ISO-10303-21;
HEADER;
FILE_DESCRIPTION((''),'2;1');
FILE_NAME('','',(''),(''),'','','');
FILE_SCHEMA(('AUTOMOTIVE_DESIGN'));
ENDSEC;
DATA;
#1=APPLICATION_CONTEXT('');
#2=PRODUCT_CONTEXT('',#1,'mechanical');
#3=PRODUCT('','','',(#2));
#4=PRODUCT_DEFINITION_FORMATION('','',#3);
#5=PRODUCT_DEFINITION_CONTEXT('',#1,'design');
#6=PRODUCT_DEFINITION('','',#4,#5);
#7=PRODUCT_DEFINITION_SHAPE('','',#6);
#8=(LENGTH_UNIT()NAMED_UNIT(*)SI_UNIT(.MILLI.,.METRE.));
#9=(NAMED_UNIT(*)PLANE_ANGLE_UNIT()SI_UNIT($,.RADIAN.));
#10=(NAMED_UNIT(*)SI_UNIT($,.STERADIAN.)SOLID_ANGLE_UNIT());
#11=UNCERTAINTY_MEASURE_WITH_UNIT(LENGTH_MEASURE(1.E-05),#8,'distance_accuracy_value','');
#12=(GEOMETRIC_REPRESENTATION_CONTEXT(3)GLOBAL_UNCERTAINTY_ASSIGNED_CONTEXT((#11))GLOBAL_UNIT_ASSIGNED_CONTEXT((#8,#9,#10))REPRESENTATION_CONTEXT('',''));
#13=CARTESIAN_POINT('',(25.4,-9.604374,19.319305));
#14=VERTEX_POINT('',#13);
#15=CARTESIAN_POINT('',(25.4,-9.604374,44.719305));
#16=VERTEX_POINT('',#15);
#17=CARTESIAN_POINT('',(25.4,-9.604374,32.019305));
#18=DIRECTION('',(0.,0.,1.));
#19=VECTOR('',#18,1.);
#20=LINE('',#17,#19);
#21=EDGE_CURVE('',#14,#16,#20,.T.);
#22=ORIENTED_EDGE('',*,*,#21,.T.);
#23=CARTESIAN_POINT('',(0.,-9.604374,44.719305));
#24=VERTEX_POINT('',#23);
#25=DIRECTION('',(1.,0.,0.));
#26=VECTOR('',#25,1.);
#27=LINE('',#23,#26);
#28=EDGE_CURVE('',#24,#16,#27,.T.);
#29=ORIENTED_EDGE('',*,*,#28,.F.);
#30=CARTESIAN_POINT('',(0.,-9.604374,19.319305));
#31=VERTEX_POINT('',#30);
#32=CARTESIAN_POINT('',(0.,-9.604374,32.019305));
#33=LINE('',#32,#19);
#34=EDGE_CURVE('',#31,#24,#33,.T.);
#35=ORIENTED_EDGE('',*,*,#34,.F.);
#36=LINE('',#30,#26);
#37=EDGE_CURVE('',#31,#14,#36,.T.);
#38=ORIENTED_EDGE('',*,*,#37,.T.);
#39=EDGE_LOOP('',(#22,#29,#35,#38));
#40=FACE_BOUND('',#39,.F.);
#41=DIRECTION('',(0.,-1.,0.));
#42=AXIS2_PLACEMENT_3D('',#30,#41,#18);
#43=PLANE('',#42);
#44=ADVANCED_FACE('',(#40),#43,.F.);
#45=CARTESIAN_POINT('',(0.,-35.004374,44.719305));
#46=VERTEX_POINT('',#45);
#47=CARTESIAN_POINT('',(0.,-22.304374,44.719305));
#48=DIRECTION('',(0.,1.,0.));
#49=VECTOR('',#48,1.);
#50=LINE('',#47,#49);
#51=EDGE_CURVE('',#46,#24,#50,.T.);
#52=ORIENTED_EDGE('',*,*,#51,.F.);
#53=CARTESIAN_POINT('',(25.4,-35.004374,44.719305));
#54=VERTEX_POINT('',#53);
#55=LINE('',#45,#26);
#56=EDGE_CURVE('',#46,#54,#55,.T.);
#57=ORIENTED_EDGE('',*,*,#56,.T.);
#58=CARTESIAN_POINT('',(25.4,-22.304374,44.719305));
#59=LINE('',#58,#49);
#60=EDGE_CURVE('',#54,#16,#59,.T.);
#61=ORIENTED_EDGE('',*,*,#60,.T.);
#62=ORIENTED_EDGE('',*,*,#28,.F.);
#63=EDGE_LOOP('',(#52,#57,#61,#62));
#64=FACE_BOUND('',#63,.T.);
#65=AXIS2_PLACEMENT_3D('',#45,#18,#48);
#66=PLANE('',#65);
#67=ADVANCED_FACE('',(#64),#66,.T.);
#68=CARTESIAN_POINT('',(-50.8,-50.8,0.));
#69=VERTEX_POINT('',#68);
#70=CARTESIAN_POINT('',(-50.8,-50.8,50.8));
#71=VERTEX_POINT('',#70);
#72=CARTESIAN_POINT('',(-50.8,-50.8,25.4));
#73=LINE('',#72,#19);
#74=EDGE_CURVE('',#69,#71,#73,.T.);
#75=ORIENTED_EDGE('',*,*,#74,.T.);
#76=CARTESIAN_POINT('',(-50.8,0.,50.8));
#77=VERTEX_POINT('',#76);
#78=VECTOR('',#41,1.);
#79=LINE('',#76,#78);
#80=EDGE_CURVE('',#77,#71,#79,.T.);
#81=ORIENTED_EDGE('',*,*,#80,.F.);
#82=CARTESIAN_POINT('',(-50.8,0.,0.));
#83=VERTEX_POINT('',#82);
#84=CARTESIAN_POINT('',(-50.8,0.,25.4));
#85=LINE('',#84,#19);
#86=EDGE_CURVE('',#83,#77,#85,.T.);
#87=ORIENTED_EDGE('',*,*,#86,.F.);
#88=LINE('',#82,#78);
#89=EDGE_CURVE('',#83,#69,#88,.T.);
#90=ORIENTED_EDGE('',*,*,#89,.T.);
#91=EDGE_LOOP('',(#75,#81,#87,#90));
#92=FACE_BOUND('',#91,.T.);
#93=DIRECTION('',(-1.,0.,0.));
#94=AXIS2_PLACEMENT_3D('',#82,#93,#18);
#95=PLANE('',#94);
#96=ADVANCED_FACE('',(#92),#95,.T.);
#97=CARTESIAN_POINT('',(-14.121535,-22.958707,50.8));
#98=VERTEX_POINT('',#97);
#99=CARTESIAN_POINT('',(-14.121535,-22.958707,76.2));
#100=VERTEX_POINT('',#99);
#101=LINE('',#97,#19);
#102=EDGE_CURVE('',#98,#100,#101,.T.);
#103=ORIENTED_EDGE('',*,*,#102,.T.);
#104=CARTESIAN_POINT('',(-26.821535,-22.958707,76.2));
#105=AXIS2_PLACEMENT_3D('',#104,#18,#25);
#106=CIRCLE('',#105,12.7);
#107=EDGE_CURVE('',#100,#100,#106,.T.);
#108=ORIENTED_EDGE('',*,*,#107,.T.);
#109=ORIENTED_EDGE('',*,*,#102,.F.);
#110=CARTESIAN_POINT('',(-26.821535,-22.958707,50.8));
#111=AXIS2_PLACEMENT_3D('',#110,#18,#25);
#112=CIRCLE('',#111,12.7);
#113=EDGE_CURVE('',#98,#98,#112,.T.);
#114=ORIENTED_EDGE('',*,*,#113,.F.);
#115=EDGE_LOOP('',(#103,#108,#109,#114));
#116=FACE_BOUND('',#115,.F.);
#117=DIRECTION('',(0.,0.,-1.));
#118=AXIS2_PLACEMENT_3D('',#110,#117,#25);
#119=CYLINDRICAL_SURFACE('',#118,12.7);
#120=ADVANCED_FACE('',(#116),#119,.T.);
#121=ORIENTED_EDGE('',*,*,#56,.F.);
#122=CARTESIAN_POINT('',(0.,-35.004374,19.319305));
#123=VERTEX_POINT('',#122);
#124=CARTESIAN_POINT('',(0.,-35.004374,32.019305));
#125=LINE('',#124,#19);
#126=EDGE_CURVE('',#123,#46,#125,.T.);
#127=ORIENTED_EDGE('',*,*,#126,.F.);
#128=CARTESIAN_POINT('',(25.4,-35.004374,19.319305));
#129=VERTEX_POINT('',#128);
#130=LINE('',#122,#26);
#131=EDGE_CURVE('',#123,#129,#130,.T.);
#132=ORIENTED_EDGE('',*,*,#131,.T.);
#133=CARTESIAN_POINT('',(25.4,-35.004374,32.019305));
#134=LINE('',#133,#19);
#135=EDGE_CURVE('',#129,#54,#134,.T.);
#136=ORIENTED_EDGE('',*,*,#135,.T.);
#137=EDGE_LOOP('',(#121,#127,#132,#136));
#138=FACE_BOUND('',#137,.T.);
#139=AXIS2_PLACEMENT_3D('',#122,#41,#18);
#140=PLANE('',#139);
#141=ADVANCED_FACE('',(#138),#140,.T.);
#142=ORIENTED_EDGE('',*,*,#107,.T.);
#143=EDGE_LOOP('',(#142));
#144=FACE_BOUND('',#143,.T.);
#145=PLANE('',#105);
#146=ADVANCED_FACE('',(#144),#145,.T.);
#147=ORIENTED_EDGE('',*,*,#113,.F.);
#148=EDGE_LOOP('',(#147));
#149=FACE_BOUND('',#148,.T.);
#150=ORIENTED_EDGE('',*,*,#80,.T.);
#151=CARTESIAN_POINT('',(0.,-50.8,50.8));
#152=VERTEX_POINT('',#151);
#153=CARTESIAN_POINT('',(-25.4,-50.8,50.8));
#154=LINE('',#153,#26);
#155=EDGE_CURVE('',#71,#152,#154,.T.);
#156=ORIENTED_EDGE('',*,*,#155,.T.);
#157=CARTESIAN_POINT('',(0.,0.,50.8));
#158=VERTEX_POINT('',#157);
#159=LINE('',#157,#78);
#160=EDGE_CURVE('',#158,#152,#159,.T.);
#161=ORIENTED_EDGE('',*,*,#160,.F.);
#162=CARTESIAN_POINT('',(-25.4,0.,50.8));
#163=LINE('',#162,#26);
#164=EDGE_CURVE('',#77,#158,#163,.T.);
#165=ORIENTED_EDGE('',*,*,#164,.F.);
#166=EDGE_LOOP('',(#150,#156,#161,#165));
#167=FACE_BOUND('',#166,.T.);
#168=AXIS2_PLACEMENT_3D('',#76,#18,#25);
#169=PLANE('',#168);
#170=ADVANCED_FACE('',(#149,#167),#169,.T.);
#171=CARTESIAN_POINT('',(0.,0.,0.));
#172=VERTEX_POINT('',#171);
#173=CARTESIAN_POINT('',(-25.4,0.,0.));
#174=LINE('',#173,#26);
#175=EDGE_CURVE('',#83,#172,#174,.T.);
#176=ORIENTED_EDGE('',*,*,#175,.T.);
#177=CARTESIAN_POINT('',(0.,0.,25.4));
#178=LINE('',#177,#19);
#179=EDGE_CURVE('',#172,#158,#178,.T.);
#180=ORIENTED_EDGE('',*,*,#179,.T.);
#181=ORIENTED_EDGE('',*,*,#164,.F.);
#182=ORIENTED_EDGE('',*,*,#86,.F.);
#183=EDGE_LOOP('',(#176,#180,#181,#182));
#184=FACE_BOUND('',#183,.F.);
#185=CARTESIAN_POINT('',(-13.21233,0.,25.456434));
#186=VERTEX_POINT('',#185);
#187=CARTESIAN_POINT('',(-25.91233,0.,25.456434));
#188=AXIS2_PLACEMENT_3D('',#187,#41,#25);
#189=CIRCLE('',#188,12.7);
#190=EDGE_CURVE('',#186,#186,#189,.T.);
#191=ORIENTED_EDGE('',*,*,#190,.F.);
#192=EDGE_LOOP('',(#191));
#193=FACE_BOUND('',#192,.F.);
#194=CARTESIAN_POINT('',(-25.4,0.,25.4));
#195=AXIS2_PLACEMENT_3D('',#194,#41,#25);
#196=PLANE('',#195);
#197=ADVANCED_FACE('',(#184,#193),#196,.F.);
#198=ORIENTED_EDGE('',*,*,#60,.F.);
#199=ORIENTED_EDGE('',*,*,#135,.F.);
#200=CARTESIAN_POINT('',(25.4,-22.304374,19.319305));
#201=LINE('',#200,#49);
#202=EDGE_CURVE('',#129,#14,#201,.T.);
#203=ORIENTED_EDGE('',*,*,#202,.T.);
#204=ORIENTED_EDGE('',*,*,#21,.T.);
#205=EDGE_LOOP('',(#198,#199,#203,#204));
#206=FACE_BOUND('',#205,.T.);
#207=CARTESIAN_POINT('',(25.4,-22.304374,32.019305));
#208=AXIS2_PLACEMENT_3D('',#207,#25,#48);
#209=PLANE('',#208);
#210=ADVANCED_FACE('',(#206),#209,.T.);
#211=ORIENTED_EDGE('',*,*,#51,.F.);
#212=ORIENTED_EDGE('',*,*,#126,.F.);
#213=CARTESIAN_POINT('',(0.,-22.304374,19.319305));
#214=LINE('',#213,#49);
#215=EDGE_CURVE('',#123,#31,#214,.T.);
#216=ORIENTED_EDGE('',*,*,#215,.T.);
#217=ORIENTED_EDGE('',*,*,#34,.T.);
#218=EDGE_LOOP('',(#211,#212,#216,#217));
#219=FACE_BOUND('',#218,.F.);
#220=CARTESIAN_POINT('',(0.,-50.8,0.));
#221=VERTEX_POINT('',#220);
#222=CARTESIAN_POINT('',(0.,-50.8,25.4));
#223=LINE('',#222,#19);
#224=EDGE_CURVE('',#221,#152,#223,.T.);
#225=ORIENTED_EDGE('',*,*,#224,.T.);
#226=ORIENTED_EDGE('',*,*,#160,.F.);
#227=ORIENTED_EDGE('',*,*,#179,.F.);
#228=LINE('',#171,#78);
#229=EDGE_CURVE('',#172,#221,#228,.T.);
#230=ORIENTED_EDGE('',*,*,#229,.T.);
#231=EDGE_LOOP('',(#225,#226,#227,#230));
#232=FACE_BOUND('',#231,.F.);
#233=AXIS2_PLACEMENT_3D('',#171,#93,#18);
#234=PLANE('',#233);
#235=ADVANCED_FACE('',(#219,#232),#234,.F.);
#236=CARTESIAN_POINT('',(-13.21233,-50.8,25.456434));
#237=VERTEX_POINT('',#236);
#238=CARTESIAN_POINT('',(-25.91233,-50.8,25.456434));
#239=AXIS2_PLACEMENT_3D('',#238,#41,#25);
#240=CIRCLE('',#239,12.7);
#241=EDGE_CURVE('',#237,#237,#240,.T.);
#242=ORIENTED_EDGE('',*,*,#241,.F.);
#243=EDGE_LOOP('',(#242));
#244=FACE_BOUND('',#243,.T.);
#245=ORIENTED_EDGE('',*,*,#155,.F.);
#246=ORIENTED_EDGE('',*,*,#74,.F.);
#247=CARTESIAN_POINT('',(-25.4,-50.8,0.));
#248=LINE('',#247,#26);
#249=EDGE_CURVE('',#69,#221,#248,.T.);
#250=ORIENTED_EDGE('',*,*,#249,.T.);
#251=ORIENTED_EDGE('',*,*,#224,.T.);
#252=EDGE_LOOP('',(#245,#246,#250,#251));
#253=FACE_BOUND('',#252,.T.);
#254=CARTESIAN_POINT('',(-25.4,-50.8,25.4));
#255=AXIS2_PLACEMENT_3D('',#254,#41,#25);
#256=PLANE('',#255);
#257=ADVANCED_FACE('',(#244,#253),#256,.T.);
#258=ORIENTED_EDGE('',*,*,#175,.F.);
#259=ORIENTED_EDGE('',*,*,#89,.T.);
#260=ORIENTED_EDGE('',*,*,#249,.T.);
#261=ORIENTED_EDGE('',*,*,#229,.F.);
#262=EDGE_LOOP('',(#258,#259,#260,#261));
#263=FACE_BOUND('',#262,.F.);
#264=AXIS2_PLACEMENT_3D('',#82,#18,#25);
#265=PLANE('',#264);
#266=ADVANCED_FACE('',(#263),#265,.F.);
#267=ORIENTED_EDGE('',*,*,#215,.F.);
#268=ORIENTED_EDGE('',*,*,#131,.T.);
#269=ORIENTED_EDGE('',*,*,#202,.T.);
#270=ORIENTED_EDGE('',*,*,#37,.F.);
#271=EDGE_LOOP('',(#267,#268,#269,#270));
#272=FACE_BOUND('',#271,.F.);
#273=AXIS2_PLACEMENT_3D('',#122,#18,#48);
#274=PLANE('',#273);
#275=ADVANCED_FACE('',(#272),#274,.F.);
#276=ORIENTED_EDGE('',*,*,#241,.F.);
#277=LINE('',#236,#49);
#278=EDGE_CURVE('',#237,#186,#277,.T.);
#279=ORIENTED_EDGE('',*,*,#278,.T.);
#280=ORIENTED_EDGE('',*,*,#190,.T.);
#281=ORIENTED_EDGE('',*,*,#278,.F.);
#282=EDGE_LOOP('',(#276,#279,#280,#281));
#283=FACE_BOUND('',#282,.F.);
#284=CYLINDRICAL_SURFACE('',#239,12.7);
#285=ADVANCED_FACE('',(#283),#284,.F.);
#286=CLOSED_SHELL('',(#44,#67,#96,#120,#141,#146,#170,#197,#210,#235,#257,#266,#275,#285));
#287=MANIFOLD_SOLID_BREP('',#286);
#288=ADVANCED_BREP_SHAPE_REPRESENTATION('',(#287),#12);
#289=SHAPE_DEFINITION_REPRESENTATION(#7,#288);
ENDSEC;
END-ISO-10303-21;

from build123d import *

# Parameters (mm, degrees)
F0_W     = 50.8
F0_H     = 50.8
F1_DEPTH = 50.8
F2_R     = 12.7
F3_DEPTH = 50.8
F4_W     = 25.4
F4_H     = 25.4
F5_DEPTH = 25.4
F6_R     = 12.7
F7_DEPTH = 25.4


with BuildPart() as f1:
    # F0 (on Front) → F1 (new body)
    with BuildSketch(Plane.XZ):
        with Locations((-25.4, 25.4)):
            Rectangle(F0_W, F0_H)
    extrude(amount=F1_DEPTH)

    # F2 (on face) → F3 (cut)
    with BuildSketch(Plane.XZ.offset(50.8)):
        with Locations((-25.91233, 25.456434)):
            Circle(F2_R)
    extrude(amount=-F3_DEPTH, mode=Mode.SUBTRACT)

    # F4 (on face) → F5 (join)
    with BuildSketch(Plane.YZ):
        with Locations((-22.304374, 32.019305)):
            Rectangle(F4_W, F4_H)
    extrude(amount=F5_DEPTH)

    # F6 (on face) → F7 (join)
    with BuildSketch(Plane.XY.offset(50.8)):
        with Locations((-26.821535, -22.958707)):
            Circle(F6_R)
    extrude(amount=F7_DEPTH)


solid = f1.part
